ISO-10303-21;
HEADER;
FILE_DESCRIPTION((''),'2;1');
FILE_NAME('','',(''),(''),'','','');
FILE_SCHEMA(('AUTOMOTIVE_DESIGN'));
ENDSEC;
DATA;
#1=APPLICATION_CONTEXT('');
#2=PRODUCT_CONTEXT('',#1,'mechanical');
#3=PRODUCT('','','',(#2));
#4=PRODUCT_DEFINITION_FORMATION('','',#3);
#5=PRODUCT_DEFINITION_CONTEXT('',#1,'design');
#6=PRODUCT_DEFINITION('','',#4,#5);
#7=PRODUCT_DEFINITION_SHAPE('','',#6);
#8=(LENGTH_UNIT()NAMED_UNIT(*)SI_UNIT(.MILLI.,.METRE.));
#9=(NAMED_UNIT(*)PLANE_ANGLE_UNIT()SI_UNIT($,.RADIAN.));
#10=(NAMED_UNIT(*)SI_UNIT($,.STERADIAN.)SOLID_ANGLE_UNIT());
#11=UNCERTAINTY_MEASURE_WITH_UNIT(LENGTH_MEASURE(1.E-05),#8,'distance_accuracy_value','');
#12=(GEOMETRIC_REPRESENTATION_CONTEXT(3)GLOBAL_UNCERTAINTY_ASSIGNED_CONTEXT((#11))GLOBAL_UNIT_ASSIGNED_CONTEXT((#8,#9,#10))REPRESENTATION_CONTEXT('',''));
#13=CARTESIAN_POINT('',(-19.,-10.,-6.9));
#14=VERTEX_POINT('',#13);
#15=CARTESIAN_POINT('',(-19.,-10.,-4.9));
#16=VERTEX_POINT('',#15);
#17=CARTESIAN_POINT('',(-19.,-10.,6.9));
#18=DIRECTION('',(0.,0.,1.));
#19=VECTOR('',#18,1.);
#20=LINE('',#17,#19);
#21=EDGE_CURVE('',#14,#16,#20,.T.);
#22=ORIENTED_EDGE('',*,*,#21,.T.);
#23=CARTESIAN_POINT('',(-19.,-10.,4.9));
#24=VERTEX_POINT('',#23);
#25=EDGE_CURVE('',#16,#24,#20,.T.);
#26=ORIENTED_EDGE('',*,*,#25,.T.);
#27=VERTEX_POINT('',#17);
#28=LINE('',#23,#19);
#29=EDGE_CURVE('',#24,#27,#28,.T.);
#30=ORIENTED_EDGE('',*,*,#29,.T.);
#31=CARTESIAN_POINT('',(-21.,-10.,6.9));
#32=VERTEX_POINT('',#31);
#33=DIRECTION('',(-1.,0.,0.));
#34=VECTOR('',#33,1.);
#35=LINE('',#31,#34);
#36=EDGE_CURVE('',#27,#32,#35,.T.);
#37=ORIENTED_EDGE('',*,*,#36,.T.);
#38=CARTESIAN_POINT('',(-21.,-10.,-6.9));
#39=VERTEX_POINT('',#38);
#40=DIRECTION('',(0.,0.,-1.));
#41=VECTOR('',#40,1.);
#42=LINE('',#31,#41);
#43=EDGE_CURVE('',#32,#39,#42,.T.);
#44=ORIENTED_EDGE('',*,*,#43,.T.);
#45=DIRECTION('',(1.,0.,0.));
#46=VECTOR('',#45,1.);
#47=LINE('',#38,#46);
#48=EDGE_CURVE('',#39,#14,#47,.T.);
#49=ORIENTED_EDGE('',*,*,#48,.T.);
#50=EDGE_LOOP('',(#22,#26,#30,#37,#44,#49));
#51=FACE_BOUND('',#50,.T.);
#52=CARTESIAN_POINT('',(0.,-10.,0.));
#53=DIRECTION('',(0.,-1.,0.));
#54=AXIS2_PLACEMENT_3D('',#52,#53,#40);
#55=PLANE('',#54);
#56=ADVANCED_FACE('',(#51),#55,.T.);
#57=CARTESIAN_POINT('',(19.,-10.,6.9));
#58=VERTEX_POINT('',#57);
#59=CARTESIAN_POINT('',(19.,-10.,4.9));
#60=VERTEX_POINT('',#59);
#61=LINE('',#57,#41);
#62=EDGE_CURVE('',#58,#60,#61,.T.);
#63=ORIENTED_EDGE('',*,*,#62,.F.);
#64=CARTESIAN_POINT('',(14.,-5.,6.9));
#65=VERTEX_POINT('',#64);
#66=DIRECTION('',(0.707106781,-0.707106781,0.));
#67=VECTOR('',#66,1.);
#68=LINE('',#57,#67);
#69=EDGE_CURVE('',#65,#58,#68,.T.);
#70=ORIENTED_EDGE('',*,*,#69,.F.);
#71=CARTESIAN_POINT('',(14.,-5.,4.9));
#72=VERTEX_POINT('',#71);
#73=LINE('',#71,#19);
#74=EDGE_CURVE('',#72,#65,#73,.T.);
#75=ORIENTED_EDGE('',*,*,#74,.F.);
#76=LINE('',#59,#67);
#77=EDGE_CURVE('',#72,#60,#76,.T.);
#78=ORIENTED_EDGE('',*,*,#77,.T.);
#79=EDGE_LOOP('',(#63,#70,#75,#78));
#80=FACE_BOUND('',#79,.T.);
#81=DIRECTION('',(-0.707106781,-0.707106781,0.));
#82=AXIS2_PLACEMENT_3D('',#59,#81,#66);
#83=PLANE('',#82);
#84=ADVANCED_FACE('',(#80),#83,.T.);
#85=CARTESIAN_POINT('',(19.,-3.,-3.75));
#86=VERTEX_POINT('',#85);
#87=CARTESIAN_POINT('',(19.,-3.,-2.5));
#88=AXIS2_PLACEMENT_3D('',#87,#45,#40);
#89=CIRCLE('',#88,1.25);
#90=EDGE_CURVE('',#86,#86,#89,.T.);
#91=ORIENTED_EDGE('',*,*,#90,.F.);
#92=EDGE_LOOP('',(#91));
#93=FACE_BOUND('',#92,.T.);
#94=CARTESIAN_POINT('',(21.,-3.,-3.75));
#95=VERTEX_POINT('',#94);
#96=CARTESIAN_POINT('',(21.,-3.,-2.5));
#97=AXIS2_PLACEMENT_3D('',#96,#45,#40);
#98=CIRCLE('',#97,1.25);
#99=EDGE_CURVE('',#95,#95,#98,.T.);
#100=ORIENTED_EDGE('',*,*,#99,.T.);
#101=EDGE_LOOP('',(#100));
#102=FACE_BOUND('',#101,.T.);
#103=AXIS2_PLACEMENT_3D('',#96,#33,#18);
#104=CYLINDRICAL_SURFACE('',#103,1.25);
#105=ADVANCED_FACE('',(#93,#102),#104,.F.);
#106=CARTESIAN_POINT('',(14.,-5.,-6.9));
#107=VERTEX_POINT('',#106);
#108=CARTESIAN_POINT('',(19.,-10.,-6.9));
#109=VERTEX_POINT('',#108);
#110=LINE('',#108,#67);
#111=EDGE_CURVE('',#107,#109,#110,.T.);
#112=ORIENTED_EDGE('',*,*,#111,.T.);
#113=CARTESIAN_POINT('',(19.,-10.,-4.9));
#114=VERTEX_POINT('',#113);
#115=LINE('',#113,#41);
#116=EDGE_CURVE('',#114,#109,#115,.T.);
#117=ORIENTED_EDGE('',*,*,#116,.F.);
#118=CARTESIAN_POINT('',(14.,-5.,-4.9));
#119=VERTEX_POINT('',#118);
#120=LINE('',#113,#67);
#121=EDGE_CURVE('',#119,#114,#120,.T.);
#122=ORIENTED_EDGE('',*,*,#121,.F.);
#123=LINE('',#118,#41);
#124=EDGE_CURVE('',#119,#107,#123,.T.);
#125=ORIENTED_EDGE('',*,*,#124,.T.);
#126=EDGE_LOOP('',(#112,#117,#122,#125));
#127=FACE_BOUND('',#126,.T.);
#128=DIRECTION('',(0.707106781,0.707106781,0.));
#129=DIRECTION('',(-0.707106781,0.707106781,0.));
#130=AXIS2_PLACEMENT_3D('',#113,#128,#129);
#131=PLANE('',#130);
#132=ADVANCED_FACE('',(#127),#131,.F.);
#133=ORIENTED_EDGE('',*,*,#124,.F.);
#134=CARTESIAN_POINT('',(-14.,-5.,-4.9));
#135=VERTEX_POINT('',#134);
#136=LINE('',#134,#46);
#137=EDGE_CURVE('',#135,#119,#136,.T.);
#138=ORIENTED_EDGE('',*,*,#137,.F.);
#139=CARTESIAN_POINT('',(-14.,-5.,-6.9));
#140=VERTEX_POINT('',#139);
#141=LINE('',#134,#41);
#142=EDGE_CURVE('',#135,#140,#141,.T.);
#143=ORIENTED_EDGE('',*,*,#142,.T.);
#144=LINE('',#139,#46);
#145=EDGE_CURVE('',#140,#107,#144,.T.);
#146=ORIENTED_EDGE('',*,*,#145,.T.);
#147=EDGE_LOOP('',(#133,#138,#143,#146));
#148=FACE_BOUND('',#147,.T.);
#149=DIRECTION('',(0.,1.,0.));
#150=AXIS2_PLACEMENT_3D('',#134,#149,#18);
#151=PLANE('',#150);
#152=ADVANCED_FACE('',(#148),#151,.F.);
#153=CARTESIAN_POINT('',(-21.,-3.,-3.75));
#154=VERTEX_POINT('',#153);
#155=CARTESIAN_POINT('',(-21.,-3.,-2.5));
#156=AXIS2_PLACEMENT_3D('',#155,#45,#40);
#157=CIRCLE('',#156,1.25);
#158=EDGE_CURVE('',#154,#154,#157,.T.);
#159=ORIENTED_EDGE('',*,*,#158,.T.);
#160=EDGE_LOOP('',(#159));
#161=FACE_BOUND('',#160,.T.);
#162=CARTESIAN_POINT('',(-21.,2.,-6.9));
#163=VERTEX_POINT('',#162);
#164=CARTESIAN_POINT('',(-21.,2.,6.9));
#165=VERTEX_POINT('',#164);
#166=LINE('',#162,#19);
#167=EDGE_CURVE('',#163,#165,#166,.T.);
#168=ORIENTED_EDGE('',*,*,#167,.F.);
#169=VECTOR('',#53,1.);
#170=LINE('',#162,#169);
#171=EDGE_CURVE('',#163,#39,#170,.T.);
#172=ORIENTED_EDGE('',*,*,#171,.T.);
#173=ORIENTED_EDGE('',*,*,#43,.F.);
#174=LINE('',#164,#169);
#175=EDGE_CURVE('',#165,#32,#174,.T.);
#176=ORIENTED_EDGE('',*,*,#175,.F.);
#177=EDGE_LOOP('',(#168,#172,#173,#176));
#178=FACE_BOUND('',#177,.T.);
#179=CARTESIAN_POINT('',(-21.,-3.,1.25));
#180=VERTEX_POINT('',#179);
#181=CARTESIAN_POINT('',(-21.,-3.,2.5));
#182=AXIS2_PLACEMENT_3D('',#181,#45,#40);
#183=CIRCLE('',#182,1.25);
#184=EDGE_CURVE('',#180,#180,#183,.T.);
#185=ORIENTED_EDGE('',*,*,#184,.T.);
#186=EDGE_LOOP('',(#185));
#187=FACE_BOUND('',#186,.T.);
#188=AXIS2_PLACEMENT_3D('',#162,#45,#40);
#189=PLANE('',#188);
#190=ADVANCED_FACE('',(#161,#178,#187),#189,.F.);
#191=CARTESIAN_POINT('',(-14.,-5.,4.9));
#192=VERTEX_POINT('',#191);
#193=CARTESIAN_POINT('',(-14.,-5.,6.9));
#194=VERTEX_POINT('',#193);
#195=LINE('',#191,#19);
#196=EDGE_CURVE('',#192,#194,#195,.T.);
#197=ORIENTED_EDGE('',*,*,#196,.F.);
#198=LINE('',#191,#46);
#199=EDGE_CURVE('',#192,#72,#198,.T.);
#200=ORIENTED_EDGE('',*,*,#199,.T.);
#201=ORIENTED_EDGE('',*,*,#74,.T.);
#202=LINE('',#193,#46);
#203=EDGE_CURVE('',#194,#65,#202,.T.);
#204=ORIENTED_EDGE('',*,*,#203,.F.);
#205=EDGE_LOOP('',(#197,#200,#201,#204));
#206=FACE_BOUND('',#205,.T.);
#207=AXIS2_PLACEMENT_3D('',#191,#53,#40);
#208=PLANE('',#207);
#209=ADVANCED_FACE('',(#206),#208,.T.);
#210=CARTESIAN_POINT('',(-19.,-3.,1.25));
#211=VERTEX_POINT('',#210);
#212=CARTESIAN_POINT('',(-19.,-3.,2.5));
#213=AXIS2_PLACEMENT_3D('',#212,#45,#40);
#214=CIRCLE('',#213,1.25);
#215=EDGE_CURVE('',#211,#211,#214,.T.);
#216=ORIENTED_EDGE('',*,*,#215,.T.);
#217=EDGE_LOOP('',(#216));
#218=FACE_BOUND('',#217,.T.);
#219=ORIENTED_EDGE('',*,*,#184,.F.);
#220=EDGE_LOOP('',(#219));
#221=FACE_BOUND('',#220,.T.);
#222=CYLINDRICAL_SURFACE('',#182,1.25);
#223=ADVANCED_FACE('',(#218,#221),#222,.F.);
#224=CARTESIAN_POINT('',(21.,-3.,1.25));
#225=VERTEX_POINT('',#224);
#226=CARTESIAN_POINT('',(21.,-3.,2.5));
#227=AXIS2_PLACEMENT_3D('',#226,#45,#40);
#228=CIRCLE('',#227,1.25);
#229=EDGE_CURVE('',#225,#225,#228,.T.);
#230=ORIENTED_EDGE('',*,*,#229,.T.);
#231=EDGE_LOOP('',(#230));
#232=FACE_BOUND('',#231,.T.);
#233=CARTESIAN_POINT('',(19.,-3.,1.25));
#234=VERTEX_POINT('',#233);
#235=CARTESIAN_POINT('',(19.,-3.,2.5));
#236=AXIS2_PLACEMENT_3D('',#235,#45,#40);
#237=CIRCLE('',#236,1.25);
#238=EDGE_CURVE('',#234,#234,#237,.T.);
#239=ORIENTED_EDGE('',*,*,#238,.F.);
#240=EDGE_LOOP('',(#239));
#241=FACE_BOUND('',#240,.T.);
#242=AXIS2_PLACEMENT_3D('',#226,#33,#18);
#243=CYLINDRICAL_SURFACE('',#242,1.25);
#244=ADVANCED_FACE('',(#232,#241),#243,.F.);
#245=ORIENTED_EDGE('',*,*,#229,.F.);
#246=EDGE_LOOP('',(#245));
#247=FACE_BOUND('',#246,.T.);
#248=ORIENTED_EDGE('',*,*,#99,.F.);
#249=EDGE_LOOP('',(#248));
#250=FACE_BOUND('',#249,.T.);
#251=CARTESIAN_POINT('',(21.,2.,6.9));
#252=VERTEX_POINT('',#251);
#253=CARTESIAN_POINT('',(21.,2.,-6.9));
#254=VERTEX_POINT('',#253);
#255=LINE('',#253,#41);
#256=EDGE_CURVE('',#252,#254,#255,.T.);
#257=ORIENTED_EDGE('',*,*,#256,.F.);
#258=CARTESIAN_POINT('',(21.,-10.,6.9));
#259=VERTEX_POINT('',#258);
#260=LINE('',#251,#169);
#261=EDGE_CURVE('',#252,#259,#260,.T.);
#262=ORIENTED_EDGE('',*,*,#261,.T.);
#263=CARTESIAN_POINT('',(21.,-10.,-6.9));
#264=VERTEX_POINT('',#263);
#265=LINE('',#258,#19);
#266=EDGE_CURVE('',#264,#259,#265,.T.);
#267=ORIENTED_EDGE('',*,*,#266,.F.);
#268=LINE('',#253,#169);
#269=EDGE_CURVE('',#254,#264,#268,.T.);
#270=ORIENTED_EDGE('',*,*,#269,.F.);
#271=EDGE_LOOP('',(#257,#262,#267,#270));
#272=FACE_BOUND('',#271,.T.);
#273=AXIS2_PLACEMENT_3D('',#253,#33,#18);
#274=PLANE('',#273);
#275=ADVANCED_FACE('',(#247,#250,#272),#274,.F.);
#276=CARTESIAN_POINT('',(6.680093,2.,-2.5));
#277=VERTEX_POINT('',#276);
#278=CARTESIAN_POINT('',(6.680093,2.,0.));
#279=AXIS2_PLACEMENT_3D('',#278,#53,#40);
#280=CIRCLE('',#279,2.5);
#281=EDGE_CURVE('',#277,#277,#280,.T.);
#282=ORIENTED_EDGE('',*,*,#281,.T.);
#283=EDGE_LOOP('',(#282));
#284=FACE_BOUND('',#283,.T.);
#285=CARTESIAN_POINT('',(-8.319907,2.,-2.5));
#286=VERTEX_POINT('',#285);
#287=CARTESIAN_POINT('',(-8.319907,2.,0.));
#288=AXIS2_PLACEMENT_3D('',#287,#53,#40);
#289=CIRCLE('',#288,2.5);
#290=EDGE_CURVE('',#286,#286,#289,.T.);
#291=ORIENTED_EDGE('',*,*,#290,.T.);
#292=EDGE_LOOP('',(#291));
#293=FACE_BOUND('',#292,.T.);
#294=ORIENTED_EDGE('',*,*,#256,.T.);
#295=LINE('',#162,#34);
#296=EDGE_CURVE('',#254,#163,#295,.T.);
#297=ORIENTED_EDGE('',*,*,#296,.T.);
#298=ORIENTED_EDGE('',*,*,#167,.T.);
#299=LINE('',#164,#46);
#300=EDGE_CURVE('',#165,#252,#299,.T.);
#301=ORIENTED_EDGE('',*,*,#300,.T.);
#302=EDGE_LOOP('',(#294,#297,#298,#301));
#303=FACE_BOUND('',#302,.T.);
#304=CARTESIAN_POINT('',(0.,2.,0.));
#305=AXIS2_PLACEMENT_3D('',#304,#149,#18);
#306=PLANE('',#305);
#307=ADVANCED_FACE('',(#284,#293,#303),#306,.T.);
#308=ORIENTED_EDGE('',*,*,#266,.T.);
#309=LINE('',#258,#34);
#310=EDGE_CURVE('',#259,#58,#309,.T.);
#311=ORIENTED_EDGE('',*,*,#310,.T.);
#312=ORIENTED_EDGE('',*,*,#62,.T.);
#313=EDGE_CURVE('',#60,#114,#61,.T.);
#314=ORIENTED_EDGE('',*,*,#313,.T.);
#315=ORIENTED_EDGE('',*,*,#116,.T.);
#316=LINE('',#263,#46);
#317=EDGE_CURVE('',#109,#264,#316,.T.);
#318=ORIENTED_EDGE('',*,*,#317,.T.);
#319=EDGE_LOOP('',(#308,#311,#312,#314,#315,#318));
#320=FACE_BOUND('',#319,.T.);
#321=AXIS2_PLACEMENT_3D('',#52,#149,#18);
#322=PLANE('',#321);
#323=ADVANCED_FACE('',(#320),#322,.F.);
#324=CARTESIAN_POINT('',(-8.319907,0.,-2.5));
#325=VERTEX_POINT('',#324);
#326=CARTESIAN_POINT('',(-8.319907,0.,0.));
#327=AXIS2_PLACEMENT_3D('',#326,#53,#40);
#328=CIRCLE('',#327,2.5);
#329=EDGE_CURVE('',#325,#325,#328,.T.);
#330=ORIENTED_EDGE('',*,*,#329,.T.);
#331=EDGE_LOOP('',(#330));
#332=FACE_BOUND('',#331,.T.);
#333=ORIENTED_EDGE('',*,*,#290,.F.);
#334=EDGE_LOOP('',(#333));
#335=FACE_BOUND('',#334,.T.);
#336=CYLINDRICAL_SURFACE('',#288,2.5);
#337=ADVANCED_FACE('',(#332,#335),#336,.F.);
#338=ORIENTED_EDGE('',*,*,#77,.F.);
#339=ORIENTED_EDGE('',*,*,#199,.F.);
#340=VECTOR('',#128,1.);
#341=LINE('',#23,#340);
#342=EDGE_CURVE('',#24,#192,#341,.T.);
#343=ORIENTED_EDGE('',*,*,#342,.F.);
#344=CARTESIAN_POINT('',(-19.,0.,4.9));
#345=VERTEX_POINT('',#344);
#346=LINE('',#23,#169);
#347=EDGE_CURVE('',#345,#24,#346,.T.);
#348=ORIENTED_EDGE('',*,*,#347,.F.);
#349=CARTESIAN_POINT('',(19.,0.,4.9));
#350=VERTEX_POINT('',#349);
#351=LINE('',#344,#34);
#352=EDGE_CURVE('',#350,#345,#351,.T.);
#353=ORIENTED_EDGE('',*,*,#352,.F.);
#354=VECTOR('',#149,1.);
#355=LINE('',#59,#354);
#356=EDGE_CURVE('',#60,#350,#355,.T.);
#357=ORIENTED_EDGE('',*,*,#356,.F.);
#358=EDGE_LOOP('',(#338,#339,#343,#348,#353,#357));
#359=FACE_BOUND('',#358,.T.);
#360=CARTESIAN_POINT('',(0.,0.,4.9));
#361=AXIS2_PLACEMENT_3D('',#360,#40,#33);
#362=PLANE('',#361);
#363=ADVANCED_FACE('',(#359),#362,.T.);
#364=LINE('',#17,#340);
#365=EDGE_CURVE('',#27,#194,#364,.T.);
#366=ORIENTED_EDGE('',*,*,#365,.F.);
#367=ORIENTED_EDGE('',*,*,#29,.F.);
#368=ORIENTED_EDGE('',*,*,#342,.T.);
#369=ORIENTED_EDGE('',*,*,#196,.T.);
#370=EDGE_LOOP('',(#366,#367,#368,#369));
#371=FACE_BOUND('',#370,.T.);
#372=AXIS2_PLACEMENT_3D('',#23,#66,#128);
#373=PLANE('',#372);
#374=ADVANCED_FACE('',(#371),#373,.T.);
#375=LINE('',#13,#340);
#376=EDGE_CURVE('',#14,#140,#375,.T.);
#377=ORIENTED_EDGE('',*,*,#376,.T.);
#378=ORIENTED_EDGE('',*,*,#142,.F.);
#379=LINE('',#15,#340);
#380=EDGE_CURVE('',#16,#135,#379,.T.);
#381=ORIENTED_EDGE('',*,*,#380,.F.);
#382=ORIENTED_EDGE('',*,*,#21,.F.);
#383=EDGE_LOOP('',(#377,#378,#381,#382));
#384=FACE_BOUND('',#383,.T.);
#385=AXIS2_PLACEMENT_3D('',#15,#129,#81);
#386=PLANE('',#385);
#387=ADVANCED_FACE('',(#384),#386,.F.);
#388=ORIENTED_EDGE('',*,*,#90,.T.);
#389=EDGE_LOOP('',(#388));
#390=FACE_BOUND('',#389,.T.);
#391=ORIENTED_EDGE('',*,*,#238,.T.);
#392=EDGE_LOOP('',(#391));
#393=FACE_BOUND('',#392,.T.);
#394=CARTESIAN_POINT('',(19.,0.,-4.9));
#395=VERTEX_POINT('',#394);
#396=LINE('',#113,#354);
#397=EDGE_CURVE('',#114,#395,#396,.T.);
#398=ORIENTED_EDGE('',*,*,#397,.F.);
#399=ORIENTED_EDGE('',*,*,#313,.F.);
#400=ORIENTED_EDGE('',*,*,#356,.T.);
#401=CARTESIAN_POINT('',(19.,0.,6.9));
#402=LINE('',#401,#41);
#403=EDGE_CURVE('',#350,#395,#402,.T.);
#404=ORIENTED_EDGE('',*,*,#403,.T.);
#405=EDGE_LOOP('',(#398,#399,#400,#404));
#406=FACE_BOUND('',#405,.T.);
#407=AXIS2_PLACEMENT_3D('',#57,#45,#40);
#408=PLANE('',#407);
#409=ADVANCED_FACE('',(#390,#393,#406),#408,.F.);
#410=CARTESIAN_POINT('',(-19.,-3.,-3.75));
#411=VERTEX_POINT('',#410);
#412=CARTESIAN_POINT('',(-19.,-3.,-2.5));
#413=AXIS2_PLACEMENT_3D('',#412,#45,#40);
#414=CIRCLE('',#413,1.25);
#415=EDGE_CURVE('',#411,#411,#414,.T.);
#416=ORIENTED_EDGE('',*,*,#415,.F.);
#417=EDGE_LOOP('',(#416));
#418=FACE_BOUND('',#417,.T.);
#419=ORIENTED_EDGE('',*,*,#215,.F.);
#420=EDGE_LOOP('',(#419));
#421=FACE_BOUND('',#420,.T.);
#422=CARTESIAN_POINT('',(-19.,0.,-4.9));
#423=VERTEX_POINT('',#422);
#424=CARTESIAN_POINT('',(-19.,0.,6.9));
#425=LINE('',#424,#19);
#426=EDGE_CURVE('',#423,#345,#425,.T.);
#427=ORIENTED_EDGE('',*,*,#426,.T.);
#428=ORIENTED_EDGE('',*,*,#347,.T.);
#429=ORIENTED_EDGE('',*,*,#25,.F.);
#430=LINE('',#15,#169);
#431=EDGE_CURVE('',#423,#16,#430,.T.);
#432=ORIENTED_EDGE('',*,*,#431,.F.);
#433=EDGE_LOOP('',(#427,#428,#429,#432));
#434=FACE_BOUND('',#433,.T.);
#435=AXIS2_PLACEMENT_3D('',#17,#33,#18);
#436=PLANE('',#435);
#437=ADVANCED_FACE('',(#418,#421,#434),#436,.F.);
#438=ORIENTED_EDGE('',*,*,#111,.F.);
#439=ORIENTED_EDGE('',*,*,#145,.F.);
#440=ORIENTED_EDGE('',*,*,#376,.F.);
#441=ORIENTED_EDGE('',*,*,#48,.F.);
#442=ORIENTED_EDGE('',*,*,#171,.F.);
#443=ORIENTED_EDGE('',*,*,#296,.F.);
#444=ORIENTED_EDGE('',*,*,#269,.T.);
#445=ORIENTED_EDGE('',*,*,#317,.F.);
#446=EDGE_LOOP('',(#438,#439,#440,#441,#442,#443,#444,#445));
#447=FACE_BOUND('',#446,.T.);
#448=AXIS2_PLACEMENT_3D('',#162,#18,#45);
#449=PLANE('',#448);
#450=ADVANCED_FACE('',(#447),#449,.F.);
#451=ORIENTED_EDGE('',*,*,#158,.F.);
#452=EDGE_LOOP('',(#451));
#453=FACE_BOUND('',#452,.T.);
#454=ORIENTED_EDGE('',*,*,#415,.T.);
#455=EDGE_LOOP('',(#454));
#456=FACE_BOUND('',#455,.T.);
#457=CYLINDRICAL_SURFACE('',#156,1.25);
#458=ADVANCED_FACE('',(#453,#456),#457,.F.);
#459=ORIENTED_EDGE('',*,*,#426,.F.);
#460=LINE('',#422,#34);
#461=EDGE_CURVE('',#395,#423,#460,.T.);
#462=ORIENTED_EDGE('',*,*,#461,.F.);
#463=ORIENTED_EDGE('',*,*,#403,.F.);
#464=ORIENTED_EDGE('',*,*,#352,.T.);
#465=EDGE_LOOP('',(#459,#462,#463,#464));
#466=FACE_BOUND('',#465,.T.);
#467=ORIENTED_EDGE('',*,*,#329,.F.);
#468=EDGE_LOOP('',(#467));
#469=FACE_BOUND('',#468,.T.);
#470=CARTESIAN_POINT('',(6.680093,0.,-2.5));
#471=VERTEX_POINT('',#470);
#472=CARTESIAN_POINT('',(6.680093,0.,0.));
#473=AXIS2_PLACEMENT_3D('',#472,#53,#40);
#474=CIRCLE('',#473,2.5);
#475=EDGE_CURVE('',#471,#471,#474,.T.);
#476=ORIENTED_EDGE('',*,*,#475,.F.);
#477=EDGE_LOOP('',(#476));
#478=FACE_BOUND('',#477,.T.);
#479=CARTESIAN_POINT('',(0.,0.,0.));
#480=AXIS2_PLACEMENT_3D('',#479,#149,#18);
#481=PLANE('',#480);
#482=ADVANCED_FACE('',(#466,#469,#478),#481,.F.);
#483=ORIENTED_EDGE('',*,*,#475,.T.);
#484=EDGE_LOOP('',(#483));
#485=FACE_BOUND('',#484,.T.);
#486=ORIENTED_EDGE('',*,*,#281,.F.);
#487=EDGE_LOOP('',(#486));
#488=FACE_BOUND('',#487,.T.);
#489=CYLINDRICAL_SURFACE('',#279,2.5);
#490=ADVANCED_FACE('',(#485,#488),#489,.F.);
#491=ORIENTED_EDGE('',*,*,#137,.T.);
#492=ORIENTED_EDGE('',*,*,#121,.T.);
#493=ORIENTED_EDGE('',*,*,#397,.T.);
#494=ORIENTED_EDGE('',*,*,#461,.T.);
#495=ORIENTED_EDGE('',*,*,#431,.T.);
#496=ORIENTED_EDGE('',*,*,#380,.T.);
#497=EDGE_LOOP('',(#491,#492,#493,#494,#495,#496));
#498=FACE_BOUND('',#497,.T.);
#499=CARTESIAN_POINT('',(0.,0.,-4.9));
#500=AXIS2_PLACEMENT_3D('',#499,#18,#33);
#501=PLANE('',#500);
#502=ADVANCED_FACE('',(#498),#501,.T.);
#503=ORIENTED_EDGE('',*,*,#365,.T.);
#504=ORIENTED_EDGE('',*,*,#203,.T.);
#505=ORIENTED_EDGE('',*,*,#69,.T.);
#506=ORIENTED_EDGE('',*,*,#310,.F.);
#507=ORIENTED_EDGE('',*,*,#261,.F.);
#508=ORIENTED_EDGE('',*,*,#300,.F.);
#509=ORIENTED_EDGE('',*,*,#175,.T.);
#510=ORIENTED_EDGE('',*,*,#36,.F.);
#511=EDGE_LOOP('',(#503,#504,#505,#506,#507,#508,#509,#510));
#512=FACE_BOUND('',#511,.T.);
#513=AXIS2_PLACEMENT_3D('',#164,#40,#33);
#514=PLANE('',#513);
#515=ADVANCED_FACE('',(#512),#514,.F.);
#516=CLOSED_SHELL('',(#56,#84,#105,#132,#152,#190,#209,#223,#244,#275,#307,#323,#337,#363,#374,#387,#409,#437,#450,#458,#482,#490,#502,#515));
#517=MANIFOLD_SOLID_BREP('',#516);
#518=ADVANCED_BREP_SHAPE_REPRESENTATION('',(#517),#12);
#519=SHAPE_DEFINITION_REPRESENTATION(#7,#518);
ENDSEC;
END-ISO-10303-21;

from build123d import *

# Parameters (mm, degrees)
SKETCH2_W           = 42
SKETCH2_H           = 13.8
BOSS_EXTRUDE1_DEPTH = 2
SKETCH3_W           = 2
SKETCH3_H           = 13.8
BOSS_EXTRUDE2_DEPTH = 10
BOSS_EXTRUDE3_DEPTH = 2
SKETCH5_R           = 2.5
CUT_EXTRUDE1_DEPTH  = 2
SKETCH6_R           = 1.25
CUT_EXTRUDE2_DEPTH  = 2


with BuildPart() as part:
    # Sketch2 → Boss-Extrude1 (new body)
    with BuildSketch(Plane(origin=(0, 0, 0), x_dir=(1, 0, 0), z_dir=(0, 1, 0))):
        Rectangle(SKETCH2_W, SKETCH2_H)
    extrude(amount=BOSS_EXTRUDE1_DEPTH)

    # Sketch3 → Boss-Extrude2 (add)
    with BuildSketch(Plane.XZ):
        with Locations((-20, 0)):
            Rectangle(SKETCH3_W, SKETCH3_H)
        with Locations((20, 0)):
            Rectangle(SKETCH3_W, SKETCH3_H)
    extrude(amount=BOSS_EXTRUDE2_DEPTH)

    # Sketch4 → Boss-Extrude3 (add)
    with BuildSketch(Plane.XY.offset(6.9)):
        Polygon((-19, 0), (19, 0), (19, -10), (14, -5), (-14, -5), (-19, -10), align=None)
    boss_extrude3 = extrude(amount=-BOSS_EXTRUDE3_DEPTH)

    # Mirror1: Boss-Extrude3 across plane
    add(boss_extrude3.mirror(Plane.XY))

    # Sketch5 → Cut-Extrude1 (cut)
    with BuildSketch(Plane.XZ):
        with Locations((-8.319906625, 0)):
            Circle(SKETCH5_R)
        with Locations((6.680093375, 0)):
            Circle(SKETCH5_R)
    extrude(amount=-CUT_EXTRUDE1_DEPTH, mode=Mode.SUBTRACT)

    # Sketch6 → Cut-Extrude2 (cut)
    with BuildSketch(Plane(origin=(-19, 0, 0), x_dir=(0, 0, -1), z_dir=(1, 0, 0))):
        with Locations((-2.5, -3)):
            Circle(SKETCH6_R)
        with Locations((2.5, -3)):
            Circle(SKETCH6_R)
    cut_extrude2 = extrude(amount=-CUT_EXTRUDE2_DEPTH, mode=Mode.SUBTRACT)

    # Mirror2: Cut-Extrude2 across plane
    add(cut_extrude2.mirror(Plane(origin=(0, 0, 0), x_dir=(0, 0, 1), z_dir=(1, 0, 0))), mode=Mode.SUBTRACT)


solid = part.part
